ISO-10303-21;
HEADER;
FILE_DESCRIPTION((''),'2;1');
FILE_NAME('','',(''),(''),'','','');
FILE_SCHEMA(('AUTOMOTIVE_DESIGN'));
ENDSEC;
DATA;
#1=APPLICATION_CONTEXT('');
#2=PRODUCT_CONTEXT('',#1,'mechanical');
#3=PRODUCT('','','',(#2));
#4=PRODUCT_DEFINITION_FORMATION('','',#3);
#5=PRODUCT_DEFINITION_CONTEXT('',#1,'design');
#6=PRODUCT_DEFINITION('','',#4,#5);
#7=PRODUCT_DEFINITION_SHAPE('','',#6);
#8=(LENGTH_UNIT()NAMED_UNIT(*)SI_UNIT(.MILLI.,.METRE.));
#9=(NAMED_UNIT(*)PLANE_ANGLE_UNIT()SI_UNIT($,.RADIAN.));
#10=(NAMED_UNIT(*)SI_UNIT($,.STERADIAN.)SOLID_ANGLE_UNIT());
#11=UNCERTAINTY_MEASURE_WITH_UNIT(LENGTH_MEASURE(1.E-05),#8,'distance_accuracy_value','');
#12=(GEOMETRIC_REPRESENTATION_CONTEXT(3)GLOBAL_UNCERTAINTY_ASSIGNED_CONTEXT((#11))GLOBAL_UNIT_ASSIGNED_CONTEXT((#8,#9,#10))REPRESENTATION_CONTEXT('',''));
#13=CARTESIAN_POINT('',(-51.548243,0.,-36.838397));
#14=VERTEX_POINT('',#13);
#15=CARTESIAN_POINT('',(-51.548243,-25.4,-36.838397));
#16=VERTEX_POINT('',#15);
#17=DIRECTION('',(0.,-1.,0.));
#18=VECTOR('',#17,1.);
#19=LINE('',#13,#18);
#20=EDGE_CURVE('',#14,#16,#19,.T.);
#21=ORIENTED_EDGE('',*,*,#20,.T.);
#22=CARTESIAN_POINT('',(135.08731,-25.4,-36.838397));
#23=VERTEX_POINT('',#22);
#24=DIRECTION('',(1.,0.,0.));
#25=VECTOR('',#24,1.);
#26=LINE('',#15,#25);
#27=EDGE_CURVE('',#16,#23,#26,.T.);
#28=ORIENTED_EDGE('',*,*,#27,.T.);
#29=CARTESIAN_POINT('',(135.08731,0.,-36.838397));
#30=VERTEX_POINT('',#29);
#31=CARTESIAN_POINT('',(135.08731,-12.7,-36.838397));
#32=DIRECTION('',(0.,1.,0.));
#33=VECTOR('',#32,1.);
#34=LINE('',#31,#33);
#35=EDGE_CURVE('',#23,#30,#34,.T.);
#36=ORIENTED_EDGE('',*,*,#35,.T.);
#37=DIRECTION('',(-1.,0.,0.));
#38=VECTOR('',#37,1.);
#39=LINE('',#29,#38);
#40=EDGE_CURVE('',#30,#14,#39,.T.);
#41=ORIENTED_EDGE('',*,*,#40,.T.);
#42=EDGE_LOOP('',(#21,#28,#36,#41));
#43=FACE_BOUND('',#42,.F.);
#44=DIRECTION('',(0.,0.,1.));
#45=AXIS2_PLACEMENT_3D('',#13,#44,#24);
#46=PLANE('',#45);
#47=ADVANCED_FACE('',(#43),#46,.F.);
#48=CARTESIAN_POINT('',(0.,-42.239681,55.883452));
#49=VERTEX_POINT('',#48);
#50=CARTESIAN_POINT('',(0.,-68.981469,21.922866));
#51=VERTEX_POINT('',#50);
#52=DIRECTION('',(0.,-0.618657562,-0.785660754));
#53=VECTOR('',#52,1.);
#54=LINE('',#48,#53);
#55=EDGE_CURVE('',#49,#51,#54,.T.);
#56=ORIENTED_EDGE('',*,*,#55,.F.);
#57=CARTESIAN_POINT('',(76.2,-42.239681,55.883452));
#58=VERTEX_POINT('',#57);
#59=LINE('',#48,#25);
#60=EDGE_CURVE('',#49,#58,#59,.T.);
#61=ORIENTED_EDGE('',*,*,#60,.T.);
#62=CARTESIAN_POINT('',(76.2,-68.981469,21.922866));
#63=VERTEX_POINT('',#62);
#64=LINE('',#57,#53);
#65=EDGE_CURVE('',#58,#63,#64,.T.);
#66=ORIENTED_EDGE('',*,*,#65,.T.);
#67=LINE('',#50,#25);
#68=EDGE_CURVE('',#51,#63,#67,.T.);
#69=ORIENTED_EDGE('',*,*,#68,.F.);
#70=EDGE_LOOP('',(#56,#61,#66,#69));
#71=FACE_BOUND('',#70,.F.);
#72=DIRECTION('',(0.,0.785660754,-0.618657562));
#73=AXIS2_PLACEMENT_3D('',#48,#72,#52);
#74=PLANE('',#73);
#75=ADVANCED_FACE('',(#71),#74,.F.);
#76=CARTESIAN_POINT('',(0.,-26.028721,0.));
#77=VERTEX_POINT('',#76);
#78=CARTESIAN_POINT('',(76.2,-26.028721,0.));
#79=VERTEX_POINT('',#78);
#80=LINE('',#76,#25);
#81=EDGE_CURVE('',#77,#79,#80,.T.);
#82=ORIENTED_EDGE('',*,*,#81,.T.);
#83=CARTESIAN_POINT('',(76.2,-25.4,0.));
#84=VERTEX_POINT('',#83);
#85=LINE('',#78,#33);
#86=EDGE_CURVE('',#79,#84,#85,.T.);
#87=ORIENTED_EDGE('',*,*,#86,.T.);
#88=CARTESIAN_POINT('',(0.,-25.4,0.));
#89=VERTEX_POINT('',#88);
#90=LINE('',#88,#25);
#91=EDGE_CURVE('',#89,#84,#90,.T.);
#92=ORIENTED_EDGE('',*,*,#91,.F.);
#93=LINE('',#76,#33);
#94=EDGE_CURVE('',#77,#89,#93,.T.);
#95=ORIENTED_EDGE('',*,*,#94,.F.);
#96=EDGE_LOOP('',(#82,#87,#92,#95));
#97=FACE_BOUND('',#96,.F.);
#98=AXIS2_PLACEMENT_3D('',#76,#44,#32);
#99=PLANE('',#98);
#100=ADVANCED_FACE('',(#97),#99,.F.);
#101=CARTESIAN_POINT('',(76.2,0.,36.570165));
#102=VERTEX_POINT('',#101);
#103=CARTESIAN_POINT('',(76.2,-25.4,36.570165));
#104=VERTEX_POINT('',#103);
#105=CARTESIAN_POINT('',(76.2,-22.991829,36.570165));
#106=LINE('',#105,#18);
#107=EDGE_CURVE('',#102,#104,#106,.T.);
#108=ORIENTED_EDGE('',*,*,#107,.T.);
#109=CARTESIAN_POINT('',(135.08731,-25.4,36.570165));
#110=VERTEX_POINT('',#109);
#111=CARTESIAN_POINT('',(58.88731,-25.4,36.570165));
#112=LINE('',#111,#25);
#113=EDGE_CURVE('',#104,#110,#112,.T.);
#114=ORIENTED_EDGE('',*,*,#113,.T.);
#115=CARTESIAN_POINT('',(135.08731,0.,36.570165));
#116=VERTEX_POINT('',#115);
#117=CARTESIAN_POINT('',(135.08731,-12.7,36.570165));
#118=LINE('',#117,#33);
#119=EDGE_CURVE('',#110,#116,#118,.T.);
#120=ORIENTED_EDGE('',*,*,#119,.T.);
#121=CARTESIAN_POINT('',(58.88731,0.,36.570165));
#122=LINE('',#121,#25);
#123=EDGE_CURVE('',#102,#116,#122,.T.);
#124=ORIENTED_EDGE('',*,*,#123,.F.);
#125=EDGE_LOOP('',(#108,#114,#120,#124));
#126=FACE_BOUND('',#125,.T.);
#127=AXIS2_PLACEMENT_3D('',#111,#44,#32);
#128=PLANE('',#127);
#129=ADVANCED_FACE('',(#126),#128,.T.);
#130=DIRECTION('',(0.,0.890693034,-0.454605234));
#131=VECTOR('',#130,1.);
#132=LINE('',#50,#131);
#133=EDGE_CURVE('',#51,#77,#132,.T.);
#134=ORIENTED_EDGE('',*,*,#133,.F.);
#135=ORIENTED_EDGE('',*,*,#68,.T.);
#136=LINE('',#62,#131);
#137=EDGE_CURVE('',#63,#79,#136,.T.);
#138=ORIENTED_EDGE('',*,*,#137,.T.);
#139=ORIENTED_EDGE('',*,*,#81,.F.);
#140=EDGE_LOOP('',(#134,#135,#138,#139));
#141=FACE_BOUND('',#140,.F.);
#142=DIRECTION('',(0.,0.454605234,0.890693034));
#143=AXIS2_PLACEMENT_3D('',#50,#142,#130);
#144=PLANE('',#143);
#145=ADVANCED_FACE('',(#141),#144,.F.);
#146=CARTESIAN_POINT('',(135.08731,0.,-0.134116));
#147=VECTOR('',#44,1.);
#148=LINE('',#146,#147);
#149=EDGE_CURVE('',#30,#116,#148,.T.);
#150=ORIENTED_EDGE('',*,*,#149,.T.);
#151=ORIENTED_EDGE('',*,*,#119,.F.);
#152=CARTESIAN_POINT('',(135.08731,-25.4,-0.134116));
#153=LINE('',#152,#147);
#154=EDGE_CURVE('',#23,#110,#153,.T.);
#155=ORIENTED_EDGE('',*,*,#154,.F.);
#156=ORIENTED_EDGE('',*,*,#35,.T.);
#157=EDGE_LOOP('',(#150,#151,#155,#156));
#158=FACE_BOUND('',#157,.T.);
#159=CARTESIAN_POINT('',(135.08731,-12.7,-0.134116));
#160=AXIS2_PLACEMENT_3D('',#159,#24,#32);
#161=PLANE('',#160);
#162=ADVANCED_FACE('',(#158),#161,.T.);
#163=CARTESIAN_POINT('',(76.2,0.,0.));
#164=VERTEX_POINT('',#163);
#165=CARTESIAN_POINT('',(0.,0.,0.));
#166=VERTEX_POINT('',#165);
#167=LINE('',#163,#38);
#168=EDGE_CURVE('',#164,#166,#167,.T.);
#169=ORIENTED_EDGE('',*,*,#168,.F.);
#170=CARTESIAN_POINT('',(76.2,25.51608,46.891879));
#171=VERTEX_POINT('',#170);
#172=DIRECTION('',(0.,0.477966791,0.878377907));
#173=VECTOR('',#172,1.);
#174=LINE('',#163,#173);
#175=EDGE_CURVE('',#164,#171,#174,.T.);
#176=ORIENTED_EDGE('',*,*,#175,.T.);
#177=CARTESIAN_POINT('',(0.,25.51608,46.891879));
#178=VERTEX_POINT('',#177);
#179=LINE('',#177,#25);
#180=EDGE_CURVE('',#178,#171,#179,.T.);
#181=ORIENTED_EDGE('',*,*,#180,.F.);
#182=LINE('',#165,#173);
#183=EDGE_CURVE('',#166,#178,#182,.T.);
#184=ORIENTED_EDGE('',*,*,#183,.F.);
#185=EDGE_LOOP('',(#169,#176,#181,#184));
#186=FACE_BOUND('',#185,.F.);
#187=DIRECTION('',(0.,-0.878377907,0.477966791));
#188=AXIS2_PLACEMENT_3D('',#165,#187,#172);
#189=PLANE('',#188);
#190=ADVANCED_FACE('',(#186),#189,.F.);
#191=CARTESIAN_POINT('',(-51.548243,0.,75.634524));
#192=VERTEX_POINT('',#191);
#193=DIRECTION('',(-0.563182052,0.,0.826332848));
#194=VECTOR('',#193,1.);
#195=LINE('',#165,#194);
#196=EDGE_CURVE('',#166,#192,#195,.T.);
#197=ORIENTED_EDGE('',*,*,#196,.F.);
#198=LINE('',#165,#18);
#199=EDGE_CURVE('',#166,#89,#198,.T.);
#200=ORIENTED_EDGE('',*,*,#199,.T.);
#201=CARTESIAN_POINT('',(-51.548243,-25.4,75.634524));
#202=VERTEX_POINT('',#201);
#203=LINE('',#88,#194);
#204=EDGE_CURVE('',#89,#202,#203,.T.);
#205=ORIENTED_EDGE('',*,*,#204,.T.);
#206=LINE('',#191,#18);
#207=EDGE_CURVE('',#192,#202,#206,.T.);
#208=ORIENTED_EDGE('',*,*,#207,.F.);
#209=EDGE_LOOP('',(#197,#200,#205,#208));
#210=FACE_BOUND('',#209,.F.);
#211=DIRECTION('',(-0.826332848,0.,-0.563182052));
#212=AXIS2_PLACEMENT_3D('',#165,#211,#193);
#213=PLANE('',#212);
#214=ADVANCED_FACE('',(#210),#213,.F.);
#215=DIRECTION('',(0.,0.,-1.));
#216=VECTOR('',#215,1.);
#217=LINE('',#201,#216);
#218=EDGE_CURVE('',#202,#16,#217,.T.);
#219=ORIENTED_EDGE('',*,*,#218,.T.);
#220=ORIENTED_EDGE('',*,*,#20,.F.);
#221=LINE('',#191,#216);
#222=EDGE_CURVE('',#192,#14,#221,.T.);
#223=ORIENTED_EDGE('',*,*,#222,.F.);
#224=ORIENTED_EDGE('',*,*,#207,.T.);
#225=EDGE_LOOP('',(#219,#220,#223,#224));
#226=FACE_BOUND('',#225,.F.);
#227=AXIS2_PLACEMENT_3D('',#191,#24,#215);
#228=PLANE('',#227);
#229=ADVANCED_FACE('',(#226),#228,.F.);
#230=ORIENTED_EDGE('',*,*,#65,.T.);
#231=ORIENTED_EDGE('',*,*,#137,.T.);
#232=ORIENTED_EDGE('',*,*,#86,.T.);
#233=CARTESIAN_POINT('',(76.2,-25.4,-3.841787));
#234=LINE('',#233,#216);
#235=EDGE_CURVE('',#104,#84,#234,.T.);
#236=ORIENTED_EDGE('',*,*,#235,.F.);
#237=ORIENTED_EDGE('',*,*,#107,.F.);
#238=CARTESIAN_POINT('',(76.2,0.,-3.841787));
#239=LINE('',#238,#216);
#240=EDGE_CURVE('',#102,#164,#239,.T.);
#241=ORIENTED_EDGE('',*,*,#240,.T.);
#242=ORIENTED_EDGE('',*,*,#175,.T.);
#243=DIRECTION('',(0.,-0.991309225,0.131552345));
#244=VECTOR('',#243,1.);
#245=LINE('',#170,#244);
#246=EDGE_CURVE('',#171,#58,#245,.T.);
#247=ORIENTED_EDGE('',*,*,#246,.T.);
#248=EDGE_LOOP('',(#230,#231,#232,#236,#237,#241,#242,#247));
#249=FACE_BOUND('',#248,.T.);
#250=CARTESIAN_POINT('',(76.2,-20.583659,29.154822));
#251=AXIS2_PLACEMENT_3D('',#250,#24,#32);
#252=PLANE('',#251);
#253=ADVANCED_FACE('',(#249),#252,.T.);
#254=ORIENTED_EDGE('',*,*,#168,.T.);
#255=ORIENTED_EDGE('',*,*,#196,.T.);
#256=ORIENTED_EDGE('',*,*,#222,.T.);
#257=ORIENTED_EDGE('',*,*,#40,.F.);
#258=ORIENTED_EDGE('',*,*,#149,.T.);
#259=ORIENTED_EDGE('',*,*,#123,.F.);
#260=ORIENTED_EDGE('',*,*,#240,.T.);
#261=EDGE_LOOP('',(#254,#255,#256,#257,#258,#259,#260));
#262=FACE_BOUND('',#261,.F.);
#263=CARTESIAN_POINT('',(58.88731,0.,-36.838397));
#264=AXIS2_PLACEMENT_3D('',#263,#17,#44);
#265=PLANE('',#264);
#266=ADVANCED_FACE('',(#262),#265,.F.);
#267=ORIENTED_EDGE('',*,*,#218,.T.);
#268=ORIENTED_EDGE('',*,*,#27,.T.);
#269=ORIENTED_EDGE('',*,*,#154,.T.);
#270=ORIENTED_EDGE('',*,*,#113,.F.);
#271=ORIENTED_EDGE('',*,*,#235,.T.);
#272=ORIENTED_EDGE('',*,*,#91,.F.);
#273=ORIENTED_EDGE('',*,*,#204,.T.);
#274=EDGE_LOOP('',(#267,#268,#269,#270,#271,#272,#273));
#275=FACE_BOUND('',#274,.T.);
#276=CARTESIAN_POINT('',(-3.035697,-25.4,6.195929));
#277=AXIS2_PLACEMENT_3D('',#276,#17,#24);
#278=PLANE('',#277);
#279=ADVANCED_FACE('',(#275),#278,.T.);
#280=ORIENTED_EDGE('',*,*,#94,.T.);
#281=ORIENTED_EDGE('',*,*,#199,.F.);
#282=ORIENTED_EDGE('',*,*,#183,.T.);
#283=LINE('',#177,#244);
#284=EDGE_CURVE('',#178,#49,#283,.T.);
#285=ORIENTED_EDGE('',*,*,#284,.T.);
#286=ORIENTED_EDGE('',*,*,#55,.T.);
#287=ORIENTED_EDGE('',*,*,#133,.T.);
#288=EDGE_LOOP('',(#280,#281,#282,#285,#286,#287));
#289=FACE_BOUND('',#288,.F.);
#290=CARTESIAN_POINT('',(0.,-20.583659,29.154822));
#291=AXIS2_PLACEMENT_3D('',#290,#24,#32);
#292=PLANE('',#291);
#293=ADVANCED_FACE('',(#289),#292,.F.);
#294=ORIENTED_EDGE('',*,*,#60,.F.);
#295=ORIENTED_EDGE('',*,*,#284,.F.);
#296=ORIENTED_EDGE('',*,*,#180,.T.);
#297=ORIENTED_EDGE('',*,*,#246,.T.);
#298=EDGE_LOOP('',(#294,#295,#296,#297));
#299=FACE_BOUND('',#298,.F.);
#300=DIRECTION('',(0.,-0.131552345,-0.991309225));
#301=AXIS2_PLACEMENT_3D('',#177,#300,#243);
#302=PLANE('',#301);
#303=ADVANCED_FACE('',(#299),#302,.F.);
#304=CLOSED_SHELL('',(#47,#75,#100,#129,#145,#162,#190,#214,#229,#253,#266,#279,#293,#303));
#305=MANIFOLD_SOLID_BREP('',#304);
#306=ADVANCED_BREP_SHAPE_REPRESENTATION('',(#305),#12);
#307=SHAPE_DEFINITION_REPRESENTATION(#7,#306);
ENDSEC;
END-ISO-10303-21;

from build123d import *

# Parameters (mm, degrees)
F1_DEPTH  = 25.4
F1_FACE_W = 25.4
F1_FACE_H = 73.408562
F3_DEPTH  = 76.2


with BuildPart() as f1:
    # F0 (on Front) → F1 (new body)
    with BuildSketch(Plane.XZ):
        Polygon((-51.548243, 75.634524), (-51.548243, -36.838397), (58.88731, -36.838397), (58.88731, 36.570165), (0, 0), align=None)
    extrude(amount=F1_DEPTH)

    # F2 (on Right) + F1_face (on face) → F3 (join)
    with BuildSketch(Plane.YZ):
        Polygon((-68.981469, 21.922866), (-26.028721, 0), (0, 0), (25.51608, 46.891879), (-42.239681, 55.883452), align=None)
    with BuildSketch(Plane(origin=(58.88731, -12.7, -0.134116), x_dir=(0, 1, 0), z_dir=(1, 0, 0))):
        Rectangle(F1_FACE_W, F1_FACE_H)
    extrude(amount=F3_DEPTH)


solid = f1.part
